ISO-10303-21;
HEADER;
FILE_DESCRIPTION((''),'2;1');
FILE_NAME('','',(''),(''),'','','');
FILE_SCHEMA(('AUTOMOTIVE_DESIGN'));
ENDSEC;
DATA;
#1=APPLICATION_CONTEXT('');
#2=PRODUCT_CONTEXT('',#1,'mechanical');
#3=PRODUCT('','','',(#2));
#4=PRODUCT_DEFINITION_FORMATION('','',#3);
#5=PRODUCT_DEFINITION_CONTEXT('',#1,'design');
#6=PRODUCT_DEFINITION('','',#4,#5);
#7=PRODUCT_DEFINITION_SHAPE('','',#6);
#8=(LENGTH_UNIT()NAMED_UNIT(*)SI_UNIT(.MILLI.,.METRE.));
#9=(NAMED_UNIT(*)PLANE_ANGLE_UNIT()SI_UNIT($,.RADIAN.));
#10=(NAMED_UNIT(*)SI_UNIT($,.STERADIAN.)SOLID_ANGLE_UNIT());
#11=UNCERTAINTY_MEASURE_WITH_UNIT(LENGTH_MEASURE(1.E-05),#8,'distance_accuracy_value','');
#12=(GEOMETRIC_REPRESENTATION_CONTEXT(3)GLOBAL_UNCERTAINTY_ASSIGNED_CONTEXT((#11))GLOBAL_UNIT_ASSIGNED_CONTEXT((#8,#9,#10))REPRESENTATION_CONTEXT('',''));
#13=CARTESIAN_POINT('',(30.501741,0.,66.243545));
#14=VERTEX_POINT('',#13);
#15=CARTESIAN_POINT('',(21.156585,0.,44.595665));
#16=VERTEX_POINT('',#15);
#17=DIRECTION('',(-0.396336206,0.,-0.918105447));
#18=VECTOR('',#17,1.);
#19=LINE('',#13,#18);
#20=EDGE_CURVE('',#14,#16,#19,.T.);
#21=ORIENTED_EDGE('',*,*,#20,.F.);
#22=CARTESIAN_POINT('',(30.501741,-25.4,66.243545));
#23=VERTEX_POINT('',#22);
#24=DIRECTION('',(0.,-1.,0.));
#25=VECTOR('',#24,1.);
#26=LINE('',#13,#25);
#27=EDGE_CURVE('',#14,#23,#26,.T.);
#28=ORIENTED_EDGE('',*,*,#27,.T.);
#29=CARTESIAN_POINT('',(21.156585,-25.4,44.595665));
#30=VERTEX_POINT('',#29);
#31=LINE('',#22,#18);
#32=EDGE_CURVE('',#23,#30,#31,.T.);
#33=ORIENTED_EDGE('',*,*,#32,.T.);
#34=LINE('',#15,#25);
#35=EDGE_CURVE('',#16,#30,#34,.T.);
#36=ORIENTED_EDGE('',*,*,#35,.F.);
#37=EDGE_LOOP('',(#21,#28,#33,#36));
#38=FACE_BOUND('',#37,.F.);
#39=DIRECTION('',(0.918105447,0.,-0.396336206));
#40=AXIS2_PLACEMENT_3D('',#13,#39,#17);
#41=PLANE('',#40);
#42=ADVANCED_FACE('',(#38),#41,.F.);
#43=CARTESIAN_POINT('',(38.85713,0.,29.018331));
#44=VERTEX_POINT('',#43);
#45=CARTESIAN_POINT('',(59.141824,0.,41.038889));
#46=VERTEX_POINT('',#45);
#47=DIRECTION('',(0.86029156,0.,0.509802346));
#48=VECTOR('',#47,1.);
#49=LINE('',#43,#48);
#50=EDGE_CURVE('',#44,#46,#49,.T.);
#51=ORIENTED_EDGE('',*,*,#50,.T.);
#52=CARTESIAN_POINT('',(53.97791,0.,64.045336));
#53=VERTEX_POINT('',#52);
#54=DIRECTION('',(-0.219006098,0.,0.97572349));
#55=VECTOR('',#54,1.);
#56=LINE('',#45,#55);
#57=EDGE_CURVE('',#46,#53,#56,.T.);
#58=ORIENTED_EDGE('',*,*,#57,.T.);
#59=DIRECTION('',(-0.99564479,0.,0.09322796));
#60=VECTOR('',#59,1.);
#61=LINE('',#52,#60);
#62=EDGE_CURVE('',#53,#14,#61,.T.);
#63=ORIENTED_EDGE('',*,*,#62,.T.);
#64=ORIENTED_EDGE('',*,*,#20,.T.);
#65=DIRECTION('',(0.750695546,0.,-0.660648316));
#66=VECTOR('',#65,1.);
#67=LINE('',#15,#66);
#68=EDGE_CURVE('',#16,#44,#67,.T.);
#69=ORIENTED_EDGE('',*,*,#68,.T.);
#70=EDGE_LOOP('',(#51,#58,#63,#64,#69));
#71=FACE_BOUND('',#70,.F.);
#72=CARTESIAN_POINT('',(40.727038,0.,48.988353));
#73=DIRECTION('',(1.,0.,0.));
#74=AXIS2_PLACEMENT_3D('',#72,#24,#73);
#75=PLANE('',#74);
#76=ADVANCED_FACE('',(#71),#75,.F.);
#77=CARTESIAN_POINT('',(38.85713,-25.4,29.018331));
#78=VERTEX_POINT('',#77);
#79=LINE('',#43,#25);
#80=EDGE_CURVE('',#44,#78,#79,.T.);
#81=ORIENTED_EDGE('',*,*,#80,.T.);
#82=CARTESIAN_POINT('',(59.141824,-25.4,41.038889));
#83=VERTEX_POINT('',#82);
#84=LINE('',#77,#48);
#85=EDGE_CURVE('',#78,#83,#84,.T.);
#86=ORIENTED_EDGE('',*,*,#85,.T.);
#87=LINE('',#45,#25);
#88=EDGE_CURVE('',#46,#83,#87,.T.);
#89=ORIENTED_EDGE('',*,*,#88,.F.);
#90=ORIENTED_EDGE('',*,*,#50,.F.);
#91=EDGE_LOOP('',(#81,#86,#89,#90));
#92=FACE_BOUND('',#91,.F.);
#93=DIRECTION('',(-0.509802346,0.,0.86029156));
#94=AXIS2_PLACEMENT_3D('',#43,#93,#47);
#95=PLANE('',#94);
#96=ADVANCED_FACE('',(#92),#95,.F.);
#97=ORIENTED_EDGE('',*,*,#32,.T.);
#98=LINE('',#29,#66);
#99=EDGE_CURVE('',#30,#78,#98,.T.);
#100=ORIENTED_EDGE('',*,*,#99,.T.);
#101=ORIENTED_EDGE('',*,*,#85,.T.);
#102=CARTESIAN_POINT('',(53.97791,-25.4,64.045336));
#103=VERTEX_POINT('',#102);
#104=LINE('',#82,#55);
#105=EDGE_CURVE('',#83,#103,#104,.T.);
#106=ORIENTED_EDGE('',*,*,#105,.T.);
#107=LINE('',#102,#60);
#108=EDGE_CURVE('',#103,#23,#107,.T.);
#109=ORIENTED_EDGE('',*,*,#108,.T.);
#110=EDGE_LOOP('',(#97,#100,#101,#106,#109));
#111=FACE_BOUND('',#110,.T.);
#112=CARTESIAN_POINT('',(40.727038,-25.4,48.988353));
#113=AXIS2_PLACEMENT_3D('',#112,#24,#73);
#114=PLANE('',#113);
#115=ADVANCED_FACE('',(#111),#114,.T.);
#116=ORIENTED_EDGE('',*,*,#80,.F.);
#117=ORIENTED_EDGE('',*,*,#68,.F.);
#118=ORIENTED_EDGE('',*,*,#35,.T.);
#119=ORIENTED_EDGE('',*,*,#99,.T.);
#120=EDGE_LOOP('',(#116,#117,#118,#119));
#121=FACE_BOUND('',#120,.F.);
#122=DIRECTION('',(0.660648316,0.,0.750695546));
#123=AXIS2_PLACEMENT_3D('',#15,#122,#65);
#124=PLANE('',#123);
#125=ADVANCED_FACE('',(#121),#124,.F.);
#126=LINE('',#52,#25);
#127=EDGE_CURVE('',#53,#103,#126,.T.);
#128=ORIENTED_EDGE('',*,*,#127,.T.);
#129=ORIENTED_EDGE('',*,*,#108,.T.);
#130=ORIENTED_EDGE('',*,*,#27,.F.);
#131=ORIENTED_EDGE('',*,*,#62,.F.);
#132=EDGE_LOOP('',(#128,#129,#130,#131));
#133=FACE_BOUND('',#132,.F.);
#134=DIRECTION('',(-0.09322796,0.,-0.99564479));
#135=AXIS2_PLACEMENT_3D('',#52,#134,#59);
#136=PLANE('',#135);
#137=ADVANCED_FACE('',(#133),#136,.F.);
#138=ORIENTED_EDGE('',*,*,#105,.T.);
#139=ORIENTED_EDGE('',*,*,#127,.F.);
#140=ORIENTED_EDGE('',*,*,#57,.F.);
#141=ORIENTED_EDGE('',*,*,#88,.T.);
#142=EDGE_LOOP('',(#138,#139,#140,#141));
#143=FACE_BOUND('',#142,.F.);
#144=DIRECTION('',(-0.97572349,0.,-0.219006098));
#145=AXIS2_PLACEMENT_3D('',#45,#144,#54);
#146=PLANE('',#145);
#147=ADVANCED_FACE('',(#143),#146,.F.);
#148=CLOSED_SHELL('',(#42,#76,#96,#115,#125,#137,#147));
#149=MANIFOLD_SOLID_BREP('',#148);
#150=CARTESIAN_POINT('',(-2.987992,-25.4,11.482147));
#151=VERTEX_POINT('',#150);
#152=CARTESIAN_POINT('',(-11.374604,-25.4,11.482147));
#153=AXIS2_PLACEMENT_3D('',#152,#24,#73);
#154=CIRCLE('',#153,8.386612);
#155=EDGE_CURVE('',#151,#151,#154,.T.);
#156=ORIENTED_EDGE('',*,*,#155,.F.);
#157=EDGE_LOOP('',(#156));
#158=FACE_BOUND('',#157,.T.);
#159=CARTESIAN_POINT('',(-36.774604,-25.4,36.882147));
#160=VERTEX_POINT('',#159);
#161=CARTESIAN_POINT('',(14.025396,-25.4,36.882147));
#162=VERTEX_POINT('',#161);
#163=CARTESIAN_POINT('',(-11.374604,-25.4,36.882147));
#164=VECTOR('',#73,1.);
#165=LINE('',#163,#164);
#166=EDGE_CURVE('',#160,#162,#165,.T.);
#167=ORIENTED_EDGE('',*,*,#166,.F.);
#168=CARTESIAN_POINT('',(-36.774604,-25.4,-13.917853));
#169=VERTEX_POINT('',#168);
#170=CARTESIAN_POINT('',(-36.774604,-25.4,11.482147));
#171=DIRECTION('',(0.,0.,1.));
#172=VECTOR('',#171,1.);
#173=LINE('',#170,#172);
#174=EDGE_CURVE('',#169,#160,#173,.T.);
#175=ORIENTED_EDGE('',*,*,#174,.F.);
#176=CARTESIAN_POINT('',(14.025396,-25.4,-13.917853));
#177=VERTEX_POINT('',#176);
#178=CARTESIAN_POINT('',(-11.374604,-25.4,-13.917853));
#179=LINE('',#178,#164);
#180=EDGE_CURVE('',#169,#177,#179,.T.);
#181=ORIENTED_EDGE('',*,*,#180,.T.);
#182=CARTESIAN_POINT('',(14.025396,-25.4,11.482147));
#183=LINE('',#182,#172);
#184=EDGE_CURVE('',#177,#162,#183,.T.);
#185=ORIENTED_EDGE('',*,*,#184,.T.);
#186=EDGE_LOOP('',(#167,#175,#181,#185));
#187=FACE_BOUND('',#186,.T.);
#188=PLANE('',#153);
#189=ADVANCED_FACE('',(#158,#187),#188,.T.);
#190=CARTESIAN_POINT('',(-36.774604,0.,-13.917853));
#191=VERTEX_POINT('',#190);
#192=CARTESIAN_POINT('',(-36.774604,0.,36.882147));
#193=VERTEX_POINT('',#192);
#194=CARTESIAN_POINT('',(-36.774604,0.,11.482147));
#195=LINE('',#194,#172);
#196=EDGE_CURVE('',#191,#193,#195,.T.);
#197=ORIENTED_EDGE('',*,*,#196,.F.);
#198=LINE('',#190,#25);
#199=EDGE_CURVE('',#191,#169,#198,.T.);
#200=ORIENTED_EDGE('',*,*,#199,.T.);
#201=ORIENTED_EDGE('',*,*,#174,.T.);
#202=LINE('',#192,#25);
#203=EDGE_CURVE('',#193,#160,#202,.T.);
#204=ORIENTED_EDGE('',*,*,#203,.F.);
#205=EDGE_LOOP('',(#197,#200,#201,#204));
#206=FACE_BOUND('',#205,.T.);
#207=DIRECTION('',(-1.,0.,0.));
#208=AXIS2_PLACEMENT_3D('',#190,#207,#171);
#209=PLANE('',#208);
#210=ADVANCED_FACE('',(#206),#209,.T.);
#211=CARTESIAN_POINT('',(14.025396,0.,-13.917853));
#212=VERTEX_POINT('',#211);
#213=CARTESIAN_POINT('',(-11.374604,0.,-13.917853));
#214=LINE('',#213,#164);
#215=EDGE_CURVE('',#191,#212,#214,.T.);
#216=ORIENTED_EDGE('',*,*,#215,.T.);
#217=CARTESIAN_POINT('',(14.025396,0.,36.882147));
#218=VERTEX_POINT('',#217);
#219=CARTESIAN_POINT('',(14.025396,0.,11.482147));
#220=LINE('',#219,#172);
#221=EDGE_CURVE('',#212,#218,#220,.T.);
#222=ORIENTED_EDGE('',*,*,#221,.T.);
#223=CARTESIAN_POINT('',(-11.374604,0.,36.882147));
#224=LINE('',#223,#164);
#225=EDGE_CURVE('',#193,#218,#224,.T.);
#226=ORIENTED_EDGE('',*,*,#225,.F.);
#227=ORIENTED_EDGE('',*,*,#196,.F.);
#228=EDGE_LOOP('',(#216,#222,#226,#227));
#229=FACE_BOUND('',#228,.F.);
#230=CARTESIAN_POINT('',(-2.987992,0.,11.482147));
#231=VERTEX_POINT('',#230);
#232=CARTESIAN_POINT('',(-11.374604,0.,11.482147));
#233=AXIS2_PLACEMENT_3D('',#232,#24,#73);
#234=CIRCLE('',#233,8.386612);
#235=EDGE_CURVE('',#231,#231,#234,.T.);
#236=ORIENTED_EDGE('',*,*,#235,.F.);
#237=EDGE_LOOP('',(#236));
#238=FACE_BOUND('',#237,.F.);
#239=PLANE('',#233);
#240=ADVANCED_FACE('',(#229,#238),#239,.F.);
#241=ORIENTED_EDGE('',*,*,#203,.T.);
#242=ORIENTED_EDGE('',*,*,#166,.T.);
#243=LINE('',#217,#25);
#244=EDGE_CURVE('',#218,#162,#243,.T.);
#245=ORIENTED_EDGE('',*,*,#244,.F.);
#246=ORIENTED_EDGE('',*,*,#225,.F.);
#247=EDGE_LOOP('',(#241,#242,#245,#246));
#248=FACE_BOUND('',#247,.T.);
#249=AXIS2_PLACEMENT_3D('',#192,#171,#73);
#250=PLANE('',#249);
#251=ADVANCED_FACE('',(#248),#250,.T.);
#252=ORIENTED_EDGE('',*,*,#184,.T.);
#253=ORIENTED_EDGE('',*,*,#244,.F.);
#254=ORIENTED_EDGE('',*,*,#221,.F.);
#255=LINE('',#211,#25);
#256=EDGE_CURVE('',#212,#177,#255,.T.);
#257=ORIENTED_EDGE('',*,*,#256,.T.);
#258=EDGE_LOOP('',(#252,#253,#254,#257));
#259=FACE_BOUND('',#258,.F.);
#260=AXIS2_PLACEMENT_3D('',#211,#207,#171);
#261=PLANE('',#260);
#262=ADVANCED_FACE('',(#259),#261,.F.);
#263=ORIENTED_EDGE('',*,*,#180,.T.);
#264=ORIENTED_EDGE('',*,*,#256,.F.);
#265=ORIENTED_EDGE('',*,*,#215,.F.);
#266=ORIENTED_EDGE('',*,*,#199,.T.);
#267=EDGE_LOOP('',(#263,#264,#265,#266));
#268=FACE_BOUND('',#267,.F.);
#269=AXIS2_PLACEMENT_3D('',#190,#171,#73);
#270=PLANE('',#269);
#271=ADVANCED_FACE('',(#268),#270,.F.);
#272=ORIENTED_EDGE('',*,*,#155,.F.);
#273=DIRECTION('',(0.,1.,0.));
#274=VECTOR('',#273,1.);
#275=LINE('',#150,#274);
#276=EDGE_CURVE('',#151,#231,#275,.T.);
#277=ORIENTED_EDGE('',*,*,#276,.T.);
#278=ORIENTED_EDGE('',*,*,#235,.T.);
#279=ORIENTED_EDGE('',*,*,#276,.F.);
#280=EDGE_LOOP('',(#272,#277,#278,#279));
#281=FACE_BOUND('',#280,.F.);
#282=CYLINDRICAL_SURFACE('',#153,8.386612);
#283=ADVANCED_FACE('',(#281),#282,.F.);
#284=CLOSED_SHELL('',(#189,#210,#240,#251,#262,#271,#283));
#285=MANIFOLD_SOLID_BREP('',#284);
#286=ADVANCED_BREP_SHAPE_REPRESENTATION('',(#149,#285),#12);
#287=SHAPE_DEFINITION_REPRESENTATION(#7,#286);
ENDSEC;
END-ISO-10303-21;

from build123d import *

# Parameters (mm, degrees)
F0_W     = 50.8
F0_H     = 50.8
F1_DEPTH = 25.4
F2_R     = 8.386612
F3_DEPTH = 25.401
F5_DEPTH = 25.4


with BuildPart() as f1:
    # F0 (on Front) → F1 (new body)
    with BuildSketch(Plane.XZ):
        with Locations((-11.374604, 11.482147)):
            Rectangle(F0_W, F0_H)
    extrude(amount=F1_DEPTH)

    # F2 (on face) → F3 (cut, through all)
    with BuildSketch(Plane.XZ.offset(25.4)):
        with Locations((-11.374604, 11.482147)):
            Circle(F2_R)
    extrude(amount=-F3_DEPTH, mode=Mode.SUBTRACT)


with BuildPart() as f5:
    # F4 (on Front) → F5 (new body)
    with BuildSketch(Plane.XZ):
        Polygon((38.85713, 29.018331), (59.141824, 41.038889), (53.97791, 64.045336), (30.501741, 66.243545), (21.156585, 44.595665), align=None)
    extrude(amount=F5_DEPTH)


solid = Compound([f1.part, f5.part])
